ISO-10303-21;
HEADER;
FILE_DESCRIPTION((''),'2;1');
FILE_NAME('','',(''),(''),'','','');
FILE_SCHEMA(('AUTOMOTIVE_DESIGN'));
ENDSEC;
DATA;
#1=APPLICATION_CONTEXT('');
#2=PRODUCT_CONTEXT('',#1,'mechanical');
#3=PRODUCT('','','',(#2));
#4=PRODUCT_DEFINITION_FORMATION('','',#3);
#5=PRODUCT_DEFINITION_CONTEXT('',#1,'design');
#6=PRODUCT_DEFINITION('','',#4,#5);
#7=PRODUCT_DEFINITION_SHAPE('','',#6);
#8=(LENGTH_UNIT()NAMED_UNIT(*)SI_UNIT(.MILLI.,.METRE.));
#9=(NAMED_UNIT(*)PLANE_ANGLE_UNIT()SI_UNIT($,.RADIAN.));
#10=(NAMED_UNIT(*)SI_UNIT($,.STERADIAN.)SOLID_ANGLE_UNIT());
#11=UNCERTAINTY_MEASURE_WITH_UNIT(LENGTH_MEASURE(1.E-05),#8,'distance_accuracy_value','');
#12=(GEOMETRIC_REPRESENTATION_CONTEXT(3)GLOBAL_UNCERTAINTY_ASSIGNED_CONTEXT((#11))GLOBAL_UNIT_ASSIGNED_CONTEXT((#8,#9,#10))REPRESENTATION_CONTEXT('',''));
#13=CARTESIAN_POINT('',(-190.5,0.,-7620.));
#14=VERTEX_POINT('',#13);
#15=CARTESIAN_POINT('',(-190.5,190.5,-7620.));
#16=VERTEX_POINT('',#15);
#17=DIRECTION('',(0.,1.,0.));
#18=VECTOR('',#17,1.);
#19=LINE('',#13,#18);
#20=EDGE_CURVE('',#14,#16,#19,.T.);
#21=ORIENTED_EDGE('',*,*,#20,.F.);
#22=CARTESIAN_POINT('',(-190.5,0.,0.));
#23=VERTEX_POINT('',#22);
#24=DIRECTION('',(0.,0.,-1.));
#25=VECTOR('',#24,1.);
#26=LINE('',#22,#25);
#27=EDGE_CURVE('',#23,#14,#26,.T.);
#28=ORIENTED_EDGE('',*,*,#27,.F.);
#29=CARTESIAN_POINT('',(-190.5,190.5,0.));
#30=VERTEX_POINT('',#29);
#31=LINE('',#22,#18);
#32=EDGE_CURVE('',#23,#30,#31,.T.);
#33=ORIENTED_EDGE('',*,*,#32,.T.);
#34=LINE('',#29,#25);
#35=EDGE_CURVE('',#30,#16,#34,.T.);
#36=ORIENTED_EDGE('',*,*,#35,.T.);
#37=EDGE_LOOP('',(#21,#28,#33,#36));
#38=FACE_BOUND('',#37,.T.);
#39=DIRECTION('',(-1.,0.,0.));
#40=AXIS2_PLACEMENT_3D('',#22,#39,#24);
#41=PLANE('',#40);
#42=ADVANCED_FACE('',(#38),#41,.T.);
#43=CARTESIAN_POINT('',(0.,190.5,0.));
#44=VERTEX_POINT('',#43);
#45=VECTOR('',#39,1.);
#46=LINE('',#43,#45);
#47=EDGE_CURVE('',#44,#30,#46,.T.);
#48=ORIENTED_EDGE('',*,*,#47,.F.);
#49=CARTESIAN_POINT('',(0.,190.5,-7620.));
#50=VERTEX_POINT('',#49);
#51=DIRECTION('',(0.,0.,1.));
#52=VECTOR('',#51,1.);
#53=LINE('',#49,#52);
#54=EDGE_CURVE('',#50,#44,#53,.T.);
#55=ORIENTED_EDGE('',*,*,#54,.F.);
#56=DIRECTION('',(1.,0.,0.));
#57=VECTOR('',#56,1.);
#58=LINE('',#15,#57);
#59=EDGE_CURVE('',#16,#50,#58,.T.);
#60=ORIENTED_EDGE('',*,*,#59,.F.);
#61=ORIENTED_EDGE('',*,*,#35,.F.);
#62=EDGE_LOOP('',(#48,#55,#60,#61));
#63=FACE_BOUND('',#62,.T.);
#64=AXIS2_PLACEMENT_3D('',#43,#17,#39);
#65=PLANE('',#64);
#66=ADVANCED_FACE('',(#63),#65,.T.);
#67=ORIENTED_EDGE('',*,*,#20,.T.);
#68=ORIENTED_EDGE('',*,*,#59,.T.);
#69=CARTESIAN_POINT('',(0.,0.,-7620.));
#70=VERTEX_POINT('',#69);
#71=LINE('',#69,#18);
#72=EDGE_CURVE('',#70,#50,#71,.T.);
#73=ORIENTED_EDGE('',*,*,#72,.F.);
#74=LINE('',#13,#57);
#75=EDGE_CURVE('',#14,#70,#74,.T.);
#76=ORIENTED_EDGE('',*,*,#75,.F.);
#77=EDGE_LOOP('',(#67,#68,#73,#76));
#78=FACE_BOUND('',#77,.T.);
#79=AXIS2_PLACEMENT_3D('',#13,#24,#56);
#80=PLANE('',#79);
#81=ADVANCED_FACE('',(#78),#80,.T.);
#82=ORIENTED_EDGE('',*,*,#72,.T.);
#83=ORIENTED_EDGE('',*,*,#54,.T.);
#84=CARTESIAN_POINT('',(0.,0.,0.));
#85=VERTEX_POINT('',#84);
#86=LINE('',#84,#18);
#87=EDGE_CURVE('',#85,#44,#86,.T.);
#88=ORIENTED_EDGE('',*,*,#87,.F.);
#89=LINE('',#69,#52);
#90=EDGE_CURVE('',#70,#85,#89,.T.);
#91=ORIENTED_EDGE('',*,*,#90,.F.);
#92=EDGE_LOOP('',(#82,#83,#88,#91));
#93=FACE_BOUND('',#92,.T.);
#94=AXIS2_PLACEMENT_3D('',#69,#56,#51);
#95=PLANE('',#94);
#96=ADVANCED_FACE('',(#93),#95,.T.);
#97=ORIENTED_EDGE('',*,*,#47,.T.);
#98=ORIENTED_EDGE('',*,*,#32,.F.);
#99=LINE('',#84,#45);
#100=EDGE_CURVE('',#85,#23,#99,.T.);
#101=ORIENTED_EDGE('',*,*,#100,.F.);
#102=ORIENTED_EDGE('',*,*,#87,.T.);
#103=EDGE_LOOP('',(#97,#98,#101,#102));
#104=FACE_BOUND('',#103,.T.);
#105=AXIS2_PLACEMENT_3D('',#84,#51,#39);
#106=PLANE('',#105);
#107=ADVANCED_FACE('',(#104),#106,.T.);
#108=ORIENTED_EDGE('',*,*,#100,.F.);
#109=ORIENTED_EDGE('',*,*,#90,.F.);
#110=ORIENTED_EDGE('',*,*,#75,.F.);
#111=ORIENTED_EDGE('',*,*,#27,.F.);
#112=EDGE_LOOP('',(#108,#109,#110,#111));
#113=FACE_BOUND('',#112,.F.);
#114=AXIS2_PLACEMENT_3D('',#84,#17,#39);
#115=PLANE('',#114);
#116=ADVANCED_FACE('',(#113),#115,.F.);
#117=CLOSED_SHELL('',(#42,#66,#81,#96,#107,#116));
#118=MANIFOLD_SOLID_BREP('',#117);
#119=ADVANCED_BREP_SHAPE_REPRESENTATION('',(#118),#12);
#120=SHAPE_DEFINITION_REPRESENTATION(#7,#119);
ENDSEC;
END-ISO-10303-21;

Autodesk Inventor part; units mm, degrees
ref_plane "YZ Plane" through (0, 0, 0) normal (1, 0, 0) x (0, 1, 0)
ref_plane "XZ Plane" through (0, 0, 0) normal (0, 1, 0) x (-1, 0, 0)
ref_plane "XY Plane" through (0, 0, 0) normal (0, 0, 1) x (1, 0, 0)
sketch "Sketch1" plane through (0, 0, 0) normal (0, 1, 0) x (-1, 0, 0)
  line L0 (0, 0) -> (190.5, 0)
  line L1 (190.5, 0) -> (190.5, -7620)
  line L2 (190.5, -7620) -> (0, -7620)
  line L3 (0, -7620) -> (0, 0)
  dimension "d0" = 7620
  dimension "d1" = 190.5
extrude "Extrusion1" add sketch "Sketch1" along normal blind 190.5
properties part number "Beam" material "Wood (Southern Pine)"
